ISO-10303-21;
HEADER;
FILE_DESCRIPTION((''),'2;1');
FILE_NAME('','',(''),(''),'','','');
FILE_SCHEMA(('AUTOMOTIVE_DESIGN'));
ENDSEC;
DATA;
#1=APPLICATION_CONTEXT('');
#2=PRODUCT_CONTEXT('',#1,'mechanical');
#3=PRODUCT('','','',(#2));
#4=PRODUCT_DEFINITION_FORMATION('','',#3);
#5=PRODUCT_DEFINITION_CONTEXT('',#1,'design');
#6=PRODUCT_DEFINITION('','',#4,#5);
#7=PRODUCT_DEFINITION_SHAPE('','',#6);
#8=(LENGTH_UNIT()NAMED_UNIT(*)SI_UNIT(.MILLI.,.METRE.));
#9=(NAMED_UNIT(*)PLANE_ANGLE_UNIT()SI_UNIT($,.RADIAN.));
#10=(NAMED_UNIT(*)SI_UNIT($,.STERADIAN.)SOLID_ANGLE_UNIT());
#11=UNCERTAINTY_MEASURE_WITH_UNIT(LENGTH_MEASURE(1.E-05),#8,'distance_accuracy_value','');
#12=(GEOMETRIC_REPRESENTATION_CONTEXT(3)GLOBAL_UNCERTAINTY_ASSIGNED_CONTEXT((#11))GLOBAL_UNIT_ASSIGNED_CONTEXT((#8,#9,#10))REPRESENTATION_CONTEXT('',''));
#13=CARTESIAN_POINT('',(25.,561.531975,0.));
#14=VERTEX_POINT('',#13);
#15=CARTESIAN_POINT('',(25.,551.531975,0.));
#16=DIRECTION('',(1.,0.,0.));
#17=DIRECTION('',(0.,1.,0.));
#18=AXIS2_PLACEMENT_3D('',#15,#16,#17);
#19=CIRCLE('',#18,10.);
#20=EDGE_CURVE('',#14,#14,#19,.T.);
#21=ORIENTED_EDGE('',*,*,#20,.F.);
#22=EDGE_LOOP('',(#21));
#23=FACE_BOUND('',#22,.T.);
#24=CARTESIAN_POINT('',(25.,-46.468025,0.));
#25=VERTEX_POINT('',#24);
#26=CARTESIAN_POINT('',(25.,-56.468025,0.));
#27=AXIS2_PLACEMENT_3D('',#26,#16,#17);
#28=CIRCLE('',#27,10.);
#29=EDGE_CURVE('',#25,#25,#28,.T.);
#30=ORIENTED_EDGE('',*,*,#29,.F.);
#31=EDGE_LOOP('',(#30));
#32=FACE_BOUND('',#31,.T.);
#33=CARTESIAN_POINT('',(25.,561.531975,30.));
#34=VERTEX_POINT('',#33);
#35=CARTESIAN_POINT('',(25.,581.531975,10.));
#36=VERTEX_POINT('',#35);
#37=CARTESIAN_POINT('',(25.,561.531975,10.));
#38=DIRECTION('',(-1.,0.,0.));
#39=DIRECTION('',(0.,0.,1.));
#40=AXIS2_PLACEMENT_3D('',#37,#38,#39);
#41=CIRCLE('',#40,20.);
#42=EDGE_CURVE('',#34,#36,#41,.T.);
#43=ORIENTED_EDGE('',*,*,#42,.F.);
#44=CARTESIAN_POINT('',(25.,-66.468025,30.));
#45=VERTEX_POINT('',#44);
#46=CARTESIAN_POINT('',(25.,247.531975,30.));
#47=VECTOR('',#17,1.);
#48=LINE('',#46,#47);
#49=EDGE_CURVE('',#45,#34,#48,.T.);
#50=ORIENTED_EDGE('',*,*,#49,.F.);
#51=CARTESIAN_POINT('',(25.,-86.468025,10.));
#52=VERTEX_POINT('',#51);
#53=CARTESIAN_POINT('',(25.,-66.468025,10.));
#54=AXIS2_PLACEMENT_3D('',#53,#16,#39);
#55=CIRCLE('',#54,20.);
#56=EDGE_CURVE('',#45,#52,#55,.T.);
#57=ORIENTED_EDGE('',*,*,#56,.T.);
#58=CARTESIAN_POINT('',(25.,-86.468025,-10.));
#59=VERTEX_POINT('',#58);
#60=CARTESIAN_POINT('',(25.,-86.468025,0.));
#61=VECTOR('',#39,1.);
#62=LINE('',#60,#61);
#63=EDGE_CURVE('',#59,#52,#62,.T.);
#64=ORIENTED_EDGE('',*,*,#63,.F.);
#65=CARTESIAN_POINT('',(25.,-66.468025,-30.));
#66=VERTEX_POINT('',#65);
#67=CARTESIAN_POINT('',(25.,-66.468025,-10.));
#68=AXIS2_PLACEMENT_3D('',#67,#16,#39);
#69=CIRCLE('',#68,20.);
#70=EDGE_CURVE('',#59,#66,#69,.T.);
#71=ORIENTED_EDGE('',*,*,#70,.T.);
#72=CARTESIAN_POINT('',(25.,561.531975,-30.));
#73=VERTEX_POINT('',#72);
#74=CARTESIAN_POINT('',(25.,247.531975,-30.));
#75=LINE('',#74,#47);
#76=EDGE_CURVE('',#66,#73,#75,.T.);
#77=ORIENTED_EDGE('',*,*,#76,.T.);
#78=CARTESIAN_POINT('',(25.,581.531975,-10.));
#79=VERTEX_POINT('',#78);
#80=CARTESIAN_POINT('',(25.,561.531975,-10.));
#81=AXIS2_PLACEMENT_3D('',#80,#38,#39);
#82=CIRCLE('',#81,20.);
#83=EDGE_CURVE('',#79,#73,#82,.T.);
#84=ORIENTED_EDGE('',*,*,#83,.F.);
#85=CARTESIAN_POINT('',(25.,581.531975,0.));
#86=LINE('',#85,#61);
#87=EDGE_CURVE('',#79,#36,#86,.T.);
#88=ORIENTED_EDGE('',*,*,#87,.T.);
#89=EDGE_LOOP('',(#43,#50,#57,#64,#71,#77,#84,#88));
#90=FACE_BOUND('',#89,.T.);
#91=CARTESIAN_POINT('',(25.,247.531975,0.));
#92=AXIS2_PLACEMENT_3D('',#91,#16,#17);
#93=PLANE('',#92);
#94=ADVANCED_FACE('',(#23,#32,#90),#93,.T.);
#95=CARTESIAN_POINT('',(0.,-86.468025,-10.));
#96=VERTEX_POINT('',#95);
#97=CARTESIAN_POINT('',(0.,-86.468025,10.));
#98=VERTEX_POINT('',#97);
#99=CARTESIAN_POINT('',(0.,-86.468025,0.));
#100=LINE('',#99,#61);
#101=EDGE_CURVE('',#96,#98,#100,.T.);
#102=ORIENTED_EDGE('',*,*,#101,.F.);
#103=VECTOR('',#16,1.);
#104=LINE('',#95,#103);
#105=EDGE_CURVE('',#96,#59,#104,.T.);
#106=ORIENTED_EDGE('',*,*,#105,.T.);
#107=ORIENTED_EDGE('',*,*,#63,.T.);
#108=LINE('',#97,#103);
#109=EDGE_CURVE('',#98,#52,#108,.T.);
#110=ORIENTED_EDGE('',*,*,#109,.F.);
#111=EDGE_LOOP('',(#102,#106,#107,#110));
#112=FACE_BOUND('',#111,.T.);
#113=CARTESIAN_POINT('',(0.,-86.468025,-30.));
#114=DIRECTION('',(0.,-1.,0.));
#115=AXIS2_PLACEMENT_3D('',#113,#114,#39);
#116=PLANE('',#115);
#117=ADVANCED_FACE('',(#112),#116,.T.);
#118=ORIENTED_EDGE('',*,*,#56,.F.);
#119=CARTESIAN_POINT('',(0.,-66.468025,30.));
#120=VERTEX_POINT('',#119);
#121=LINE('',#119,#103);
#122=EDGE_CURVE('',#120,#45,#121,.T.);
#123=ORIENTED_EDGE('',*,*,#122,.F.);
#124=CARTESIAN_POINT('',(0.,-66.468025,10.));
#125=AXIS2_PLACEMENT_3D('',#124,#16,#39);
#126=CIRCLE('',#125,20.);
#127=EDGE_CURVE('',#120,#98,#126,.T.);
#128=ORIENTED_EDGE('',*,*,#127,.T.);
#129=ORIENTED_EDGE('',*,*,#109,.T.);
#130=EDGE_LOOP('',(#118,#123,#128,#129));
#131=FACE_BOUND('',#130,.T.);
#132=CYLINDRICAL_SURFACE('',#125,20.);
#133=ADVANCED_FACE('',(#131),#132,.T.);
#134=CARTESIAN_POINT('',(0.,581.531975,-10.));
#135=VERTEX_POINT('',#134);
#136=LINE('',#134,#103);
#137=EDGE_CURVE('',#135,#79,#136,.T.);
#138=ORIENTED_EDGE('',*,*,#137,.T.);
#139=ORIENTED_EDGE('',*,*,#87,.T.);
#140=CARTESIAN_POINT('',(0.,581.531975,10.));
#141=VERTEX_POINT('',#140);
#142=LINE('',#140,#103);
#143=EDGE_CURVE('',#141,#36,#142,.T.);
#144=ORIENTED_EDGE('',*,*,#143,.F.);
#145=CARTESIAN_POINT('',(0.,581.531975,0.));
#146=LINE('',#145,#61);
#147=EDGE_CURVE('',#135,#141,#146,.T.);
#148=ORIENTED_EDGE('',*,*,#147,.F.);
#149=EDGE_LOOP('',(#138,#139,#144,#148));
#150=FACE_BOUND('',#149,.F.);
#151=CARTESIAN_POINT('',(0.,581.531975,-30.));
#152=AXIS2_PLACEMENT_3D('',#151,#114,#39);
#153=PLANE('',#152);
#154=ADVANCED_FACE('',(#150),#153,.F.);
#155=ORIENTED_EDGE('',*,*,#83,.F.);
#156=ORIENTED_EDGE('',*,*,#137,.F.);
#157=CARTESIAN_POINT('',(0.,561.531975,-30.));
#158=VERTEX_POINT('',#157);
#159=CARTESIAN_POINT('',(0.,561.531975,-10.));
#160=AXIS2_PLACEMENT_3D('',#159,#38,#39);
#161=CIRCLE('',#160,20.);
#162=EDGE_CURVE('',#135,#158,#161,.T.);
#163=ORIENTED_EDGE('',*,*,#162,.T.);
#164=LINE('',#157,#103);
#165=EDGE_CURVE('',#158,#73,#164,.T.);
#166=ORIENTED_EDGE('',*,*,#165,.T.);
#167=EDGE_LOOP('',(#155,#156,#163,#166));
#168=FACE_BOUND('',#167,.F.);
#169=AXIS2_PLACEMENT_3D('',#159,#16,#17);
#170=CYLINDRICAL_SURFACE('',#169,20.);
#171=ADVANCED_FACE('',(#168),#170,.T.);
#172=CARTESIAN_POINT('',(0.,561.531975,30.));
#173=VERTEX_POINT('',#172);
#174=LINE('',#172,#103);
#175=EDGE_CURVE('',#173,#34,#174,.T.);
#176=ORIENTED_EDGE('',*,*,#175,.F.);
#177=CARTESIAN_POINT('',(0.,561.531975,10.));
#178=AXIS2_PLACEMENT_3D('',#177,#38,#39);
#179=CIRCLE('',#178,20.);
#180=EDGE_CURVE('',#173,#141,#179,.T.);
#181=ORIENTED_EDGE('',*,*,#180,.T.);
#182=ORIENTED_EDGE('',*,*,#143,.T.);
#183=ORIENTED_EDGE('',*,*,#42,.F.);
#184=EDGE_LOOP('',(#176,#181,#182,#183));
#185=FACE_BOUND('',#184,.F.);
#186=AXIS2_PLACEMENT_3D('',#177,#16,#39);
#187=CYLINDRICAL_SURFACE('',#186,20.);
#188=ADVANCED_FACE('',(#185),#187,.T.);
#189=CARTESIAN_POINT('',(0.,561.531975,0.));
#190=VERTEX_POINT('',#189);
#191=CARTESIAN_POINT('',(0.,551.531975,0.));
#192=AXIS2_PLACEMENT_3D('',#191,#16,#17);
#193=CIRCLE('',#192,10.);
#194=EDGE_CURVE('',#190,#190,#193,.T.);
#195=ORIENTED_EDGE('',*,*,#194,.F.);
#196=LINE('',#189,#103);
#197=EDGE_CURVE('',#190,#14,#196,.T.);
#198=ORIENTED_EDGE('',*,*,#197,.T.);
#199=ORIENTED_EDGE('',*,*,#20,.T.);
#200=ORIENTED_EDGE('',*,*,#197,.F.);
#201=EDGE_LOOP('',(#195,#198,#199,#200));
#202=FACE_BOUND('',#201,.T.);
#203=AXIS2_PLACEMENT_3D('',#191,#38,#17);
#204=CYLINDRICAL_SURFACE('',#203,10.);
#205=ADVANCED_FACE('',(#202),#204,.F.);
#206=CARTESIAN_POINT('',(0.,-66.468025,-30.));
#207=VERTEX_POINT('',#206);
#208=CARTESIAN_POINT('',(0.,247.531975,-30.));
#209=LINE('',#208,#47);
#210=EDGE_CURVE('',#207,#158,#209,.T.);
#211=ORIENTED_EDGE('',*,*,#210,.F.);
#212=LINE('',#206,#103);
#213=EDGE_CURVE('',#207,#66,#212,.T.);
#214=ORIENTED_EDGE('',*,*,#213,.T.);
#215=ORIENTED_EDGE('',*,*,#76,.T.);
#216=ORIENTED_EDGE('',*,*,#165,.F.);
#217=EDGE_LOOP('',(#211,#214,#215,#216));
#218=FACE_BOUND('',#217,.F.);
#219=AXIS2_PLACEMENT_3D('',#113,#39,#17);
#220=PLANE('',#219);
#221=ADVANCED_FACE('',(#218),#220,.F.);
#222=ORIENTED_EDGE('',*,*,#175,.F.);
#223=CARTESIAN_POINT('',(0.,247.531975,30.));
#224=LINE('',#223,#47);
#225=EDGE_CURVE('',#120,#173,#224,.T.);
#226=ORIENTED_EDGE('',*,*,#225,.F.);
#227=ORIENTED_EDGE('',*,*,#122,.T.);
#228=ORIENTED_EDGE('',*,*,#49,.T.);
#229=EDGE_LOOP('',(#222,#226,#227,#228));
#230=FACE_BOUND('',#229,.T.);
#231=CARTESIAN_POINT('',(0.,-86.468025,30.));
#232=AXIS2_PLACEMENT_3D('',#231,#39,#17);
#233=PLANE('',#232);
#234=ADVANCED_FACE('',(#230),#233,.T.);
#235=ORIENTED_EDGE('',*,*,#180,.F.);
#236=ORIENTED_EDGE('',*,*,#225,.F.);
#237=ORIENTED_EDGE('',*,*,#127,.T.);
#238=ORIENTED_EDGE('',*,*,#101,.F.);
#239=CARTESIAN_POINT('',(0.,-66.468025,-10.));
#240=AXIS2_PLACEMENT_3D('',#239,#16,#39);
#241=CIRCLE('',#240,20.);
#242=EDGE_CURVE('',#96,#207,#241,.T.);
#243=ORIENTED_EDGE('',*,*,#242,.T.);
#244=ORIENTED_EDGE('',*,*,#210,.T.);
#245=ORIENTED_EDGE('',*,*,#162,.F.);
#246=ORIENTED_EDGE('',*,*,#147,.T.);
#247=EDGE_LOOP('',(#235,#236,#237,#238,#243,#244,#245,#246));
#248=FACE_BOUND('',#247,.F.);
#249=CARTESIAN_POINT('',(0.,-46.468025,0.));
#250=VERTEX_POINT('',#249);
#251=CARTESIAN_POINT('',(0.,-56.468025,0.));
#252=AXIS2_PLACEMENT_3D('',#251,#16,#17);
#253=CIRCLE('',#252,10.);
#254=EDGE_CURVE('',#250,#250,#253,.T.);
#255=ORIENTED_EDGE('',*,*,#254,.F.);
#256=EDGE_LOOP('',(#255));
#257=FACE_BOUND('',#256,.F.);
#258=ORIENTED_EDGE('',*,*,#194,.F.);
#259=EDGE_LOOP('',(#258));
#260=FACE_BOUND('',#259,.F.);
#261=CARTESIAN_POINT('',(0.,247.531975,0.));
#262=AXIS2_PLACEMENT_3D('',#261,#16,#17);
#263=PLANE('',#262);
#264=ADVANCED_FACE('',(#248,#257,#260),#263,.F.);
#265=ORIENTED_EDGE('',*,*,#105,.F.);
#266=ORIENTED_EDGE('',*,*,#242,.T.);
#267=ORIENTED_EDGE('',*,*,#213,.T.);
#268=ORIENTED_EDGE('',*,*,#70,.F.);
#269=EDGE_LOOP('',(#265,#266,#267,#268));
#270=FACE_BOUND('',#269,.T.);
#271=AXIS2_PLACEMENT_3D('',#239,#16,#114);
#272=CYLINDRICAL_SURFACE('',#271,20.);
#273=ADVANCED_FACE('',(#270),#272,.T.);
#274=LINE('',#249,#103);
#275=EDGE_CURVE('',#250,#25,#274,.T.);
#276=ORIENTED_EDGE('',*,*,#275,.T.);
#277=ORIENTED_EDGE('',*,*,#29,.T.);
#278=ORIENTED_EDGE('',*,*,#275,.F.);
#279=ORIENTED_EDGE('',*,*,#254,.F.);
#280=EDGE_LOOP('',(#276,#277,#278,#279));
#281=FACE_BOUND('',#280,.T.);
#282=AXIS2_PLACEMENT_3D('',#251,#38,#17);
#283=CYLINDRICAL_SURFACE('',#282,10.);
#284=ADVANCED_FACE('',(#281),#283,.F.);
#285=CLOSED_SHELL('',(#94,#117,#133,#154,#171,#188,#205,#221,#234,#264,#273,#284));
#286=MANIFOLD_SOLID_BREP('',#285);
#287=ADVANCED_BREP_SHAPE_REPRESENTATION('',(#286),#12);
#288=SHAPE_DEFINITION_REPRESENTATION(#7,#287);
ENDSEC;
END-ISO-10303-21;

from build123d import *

# Parameters (mm, degrees)
F0_W     = 668
F0_H     = 60
F0_R     = 10
F1_DEPTH = 25
F2_R     = 20
F3_R     = 20
F4_R     = 20
F5_R     = 20


with BuildPart() as f1:
    # F0 (on Right) → F1 (new body)
    with BuildSketch(Plane.YZ):
        with Locations((247.531975, 0)):
            Rectangle(F0_W, F0_H)
        with Locations((-56.468025, 0)):
            Circle(F0_R, mode=Mode.SUBTRACT)
        with Locations((551.531975, 0)):
            Circle(F0_R, mode=Mode.SUBTRACT)
    extrude(amount=F1_DEPTH)

    # F2
    f2_edges = [f1.edges().sort_by_distance(p)[0] for p in [
        (12.5, 581.531975, 30),
    ]]
    fillet(f2_edges, radius=F2_R)

    # F3
    f3_edges = [f1.edges().sort_by_distance(p)[0] for p in [
        (12.5, 581.531975, -30),
    ]]
    fillet(f3_edges, radius=F3_R)

    # F4
    f4_edges = [f1.edges().sort_by_distance(p)[0] for p in [
        (12.5, -86.468025, 30),
    ]]
    fillet(f4_edges, radius=F4_R)

    # F5
    f5_edges = [f1.edges().sort_by_distance(p)[0] for p in [
        (12.5, -86.468025, -30),
    ]]
    fillet(f5_edges, radius=F5_R)


solid = f1.part
